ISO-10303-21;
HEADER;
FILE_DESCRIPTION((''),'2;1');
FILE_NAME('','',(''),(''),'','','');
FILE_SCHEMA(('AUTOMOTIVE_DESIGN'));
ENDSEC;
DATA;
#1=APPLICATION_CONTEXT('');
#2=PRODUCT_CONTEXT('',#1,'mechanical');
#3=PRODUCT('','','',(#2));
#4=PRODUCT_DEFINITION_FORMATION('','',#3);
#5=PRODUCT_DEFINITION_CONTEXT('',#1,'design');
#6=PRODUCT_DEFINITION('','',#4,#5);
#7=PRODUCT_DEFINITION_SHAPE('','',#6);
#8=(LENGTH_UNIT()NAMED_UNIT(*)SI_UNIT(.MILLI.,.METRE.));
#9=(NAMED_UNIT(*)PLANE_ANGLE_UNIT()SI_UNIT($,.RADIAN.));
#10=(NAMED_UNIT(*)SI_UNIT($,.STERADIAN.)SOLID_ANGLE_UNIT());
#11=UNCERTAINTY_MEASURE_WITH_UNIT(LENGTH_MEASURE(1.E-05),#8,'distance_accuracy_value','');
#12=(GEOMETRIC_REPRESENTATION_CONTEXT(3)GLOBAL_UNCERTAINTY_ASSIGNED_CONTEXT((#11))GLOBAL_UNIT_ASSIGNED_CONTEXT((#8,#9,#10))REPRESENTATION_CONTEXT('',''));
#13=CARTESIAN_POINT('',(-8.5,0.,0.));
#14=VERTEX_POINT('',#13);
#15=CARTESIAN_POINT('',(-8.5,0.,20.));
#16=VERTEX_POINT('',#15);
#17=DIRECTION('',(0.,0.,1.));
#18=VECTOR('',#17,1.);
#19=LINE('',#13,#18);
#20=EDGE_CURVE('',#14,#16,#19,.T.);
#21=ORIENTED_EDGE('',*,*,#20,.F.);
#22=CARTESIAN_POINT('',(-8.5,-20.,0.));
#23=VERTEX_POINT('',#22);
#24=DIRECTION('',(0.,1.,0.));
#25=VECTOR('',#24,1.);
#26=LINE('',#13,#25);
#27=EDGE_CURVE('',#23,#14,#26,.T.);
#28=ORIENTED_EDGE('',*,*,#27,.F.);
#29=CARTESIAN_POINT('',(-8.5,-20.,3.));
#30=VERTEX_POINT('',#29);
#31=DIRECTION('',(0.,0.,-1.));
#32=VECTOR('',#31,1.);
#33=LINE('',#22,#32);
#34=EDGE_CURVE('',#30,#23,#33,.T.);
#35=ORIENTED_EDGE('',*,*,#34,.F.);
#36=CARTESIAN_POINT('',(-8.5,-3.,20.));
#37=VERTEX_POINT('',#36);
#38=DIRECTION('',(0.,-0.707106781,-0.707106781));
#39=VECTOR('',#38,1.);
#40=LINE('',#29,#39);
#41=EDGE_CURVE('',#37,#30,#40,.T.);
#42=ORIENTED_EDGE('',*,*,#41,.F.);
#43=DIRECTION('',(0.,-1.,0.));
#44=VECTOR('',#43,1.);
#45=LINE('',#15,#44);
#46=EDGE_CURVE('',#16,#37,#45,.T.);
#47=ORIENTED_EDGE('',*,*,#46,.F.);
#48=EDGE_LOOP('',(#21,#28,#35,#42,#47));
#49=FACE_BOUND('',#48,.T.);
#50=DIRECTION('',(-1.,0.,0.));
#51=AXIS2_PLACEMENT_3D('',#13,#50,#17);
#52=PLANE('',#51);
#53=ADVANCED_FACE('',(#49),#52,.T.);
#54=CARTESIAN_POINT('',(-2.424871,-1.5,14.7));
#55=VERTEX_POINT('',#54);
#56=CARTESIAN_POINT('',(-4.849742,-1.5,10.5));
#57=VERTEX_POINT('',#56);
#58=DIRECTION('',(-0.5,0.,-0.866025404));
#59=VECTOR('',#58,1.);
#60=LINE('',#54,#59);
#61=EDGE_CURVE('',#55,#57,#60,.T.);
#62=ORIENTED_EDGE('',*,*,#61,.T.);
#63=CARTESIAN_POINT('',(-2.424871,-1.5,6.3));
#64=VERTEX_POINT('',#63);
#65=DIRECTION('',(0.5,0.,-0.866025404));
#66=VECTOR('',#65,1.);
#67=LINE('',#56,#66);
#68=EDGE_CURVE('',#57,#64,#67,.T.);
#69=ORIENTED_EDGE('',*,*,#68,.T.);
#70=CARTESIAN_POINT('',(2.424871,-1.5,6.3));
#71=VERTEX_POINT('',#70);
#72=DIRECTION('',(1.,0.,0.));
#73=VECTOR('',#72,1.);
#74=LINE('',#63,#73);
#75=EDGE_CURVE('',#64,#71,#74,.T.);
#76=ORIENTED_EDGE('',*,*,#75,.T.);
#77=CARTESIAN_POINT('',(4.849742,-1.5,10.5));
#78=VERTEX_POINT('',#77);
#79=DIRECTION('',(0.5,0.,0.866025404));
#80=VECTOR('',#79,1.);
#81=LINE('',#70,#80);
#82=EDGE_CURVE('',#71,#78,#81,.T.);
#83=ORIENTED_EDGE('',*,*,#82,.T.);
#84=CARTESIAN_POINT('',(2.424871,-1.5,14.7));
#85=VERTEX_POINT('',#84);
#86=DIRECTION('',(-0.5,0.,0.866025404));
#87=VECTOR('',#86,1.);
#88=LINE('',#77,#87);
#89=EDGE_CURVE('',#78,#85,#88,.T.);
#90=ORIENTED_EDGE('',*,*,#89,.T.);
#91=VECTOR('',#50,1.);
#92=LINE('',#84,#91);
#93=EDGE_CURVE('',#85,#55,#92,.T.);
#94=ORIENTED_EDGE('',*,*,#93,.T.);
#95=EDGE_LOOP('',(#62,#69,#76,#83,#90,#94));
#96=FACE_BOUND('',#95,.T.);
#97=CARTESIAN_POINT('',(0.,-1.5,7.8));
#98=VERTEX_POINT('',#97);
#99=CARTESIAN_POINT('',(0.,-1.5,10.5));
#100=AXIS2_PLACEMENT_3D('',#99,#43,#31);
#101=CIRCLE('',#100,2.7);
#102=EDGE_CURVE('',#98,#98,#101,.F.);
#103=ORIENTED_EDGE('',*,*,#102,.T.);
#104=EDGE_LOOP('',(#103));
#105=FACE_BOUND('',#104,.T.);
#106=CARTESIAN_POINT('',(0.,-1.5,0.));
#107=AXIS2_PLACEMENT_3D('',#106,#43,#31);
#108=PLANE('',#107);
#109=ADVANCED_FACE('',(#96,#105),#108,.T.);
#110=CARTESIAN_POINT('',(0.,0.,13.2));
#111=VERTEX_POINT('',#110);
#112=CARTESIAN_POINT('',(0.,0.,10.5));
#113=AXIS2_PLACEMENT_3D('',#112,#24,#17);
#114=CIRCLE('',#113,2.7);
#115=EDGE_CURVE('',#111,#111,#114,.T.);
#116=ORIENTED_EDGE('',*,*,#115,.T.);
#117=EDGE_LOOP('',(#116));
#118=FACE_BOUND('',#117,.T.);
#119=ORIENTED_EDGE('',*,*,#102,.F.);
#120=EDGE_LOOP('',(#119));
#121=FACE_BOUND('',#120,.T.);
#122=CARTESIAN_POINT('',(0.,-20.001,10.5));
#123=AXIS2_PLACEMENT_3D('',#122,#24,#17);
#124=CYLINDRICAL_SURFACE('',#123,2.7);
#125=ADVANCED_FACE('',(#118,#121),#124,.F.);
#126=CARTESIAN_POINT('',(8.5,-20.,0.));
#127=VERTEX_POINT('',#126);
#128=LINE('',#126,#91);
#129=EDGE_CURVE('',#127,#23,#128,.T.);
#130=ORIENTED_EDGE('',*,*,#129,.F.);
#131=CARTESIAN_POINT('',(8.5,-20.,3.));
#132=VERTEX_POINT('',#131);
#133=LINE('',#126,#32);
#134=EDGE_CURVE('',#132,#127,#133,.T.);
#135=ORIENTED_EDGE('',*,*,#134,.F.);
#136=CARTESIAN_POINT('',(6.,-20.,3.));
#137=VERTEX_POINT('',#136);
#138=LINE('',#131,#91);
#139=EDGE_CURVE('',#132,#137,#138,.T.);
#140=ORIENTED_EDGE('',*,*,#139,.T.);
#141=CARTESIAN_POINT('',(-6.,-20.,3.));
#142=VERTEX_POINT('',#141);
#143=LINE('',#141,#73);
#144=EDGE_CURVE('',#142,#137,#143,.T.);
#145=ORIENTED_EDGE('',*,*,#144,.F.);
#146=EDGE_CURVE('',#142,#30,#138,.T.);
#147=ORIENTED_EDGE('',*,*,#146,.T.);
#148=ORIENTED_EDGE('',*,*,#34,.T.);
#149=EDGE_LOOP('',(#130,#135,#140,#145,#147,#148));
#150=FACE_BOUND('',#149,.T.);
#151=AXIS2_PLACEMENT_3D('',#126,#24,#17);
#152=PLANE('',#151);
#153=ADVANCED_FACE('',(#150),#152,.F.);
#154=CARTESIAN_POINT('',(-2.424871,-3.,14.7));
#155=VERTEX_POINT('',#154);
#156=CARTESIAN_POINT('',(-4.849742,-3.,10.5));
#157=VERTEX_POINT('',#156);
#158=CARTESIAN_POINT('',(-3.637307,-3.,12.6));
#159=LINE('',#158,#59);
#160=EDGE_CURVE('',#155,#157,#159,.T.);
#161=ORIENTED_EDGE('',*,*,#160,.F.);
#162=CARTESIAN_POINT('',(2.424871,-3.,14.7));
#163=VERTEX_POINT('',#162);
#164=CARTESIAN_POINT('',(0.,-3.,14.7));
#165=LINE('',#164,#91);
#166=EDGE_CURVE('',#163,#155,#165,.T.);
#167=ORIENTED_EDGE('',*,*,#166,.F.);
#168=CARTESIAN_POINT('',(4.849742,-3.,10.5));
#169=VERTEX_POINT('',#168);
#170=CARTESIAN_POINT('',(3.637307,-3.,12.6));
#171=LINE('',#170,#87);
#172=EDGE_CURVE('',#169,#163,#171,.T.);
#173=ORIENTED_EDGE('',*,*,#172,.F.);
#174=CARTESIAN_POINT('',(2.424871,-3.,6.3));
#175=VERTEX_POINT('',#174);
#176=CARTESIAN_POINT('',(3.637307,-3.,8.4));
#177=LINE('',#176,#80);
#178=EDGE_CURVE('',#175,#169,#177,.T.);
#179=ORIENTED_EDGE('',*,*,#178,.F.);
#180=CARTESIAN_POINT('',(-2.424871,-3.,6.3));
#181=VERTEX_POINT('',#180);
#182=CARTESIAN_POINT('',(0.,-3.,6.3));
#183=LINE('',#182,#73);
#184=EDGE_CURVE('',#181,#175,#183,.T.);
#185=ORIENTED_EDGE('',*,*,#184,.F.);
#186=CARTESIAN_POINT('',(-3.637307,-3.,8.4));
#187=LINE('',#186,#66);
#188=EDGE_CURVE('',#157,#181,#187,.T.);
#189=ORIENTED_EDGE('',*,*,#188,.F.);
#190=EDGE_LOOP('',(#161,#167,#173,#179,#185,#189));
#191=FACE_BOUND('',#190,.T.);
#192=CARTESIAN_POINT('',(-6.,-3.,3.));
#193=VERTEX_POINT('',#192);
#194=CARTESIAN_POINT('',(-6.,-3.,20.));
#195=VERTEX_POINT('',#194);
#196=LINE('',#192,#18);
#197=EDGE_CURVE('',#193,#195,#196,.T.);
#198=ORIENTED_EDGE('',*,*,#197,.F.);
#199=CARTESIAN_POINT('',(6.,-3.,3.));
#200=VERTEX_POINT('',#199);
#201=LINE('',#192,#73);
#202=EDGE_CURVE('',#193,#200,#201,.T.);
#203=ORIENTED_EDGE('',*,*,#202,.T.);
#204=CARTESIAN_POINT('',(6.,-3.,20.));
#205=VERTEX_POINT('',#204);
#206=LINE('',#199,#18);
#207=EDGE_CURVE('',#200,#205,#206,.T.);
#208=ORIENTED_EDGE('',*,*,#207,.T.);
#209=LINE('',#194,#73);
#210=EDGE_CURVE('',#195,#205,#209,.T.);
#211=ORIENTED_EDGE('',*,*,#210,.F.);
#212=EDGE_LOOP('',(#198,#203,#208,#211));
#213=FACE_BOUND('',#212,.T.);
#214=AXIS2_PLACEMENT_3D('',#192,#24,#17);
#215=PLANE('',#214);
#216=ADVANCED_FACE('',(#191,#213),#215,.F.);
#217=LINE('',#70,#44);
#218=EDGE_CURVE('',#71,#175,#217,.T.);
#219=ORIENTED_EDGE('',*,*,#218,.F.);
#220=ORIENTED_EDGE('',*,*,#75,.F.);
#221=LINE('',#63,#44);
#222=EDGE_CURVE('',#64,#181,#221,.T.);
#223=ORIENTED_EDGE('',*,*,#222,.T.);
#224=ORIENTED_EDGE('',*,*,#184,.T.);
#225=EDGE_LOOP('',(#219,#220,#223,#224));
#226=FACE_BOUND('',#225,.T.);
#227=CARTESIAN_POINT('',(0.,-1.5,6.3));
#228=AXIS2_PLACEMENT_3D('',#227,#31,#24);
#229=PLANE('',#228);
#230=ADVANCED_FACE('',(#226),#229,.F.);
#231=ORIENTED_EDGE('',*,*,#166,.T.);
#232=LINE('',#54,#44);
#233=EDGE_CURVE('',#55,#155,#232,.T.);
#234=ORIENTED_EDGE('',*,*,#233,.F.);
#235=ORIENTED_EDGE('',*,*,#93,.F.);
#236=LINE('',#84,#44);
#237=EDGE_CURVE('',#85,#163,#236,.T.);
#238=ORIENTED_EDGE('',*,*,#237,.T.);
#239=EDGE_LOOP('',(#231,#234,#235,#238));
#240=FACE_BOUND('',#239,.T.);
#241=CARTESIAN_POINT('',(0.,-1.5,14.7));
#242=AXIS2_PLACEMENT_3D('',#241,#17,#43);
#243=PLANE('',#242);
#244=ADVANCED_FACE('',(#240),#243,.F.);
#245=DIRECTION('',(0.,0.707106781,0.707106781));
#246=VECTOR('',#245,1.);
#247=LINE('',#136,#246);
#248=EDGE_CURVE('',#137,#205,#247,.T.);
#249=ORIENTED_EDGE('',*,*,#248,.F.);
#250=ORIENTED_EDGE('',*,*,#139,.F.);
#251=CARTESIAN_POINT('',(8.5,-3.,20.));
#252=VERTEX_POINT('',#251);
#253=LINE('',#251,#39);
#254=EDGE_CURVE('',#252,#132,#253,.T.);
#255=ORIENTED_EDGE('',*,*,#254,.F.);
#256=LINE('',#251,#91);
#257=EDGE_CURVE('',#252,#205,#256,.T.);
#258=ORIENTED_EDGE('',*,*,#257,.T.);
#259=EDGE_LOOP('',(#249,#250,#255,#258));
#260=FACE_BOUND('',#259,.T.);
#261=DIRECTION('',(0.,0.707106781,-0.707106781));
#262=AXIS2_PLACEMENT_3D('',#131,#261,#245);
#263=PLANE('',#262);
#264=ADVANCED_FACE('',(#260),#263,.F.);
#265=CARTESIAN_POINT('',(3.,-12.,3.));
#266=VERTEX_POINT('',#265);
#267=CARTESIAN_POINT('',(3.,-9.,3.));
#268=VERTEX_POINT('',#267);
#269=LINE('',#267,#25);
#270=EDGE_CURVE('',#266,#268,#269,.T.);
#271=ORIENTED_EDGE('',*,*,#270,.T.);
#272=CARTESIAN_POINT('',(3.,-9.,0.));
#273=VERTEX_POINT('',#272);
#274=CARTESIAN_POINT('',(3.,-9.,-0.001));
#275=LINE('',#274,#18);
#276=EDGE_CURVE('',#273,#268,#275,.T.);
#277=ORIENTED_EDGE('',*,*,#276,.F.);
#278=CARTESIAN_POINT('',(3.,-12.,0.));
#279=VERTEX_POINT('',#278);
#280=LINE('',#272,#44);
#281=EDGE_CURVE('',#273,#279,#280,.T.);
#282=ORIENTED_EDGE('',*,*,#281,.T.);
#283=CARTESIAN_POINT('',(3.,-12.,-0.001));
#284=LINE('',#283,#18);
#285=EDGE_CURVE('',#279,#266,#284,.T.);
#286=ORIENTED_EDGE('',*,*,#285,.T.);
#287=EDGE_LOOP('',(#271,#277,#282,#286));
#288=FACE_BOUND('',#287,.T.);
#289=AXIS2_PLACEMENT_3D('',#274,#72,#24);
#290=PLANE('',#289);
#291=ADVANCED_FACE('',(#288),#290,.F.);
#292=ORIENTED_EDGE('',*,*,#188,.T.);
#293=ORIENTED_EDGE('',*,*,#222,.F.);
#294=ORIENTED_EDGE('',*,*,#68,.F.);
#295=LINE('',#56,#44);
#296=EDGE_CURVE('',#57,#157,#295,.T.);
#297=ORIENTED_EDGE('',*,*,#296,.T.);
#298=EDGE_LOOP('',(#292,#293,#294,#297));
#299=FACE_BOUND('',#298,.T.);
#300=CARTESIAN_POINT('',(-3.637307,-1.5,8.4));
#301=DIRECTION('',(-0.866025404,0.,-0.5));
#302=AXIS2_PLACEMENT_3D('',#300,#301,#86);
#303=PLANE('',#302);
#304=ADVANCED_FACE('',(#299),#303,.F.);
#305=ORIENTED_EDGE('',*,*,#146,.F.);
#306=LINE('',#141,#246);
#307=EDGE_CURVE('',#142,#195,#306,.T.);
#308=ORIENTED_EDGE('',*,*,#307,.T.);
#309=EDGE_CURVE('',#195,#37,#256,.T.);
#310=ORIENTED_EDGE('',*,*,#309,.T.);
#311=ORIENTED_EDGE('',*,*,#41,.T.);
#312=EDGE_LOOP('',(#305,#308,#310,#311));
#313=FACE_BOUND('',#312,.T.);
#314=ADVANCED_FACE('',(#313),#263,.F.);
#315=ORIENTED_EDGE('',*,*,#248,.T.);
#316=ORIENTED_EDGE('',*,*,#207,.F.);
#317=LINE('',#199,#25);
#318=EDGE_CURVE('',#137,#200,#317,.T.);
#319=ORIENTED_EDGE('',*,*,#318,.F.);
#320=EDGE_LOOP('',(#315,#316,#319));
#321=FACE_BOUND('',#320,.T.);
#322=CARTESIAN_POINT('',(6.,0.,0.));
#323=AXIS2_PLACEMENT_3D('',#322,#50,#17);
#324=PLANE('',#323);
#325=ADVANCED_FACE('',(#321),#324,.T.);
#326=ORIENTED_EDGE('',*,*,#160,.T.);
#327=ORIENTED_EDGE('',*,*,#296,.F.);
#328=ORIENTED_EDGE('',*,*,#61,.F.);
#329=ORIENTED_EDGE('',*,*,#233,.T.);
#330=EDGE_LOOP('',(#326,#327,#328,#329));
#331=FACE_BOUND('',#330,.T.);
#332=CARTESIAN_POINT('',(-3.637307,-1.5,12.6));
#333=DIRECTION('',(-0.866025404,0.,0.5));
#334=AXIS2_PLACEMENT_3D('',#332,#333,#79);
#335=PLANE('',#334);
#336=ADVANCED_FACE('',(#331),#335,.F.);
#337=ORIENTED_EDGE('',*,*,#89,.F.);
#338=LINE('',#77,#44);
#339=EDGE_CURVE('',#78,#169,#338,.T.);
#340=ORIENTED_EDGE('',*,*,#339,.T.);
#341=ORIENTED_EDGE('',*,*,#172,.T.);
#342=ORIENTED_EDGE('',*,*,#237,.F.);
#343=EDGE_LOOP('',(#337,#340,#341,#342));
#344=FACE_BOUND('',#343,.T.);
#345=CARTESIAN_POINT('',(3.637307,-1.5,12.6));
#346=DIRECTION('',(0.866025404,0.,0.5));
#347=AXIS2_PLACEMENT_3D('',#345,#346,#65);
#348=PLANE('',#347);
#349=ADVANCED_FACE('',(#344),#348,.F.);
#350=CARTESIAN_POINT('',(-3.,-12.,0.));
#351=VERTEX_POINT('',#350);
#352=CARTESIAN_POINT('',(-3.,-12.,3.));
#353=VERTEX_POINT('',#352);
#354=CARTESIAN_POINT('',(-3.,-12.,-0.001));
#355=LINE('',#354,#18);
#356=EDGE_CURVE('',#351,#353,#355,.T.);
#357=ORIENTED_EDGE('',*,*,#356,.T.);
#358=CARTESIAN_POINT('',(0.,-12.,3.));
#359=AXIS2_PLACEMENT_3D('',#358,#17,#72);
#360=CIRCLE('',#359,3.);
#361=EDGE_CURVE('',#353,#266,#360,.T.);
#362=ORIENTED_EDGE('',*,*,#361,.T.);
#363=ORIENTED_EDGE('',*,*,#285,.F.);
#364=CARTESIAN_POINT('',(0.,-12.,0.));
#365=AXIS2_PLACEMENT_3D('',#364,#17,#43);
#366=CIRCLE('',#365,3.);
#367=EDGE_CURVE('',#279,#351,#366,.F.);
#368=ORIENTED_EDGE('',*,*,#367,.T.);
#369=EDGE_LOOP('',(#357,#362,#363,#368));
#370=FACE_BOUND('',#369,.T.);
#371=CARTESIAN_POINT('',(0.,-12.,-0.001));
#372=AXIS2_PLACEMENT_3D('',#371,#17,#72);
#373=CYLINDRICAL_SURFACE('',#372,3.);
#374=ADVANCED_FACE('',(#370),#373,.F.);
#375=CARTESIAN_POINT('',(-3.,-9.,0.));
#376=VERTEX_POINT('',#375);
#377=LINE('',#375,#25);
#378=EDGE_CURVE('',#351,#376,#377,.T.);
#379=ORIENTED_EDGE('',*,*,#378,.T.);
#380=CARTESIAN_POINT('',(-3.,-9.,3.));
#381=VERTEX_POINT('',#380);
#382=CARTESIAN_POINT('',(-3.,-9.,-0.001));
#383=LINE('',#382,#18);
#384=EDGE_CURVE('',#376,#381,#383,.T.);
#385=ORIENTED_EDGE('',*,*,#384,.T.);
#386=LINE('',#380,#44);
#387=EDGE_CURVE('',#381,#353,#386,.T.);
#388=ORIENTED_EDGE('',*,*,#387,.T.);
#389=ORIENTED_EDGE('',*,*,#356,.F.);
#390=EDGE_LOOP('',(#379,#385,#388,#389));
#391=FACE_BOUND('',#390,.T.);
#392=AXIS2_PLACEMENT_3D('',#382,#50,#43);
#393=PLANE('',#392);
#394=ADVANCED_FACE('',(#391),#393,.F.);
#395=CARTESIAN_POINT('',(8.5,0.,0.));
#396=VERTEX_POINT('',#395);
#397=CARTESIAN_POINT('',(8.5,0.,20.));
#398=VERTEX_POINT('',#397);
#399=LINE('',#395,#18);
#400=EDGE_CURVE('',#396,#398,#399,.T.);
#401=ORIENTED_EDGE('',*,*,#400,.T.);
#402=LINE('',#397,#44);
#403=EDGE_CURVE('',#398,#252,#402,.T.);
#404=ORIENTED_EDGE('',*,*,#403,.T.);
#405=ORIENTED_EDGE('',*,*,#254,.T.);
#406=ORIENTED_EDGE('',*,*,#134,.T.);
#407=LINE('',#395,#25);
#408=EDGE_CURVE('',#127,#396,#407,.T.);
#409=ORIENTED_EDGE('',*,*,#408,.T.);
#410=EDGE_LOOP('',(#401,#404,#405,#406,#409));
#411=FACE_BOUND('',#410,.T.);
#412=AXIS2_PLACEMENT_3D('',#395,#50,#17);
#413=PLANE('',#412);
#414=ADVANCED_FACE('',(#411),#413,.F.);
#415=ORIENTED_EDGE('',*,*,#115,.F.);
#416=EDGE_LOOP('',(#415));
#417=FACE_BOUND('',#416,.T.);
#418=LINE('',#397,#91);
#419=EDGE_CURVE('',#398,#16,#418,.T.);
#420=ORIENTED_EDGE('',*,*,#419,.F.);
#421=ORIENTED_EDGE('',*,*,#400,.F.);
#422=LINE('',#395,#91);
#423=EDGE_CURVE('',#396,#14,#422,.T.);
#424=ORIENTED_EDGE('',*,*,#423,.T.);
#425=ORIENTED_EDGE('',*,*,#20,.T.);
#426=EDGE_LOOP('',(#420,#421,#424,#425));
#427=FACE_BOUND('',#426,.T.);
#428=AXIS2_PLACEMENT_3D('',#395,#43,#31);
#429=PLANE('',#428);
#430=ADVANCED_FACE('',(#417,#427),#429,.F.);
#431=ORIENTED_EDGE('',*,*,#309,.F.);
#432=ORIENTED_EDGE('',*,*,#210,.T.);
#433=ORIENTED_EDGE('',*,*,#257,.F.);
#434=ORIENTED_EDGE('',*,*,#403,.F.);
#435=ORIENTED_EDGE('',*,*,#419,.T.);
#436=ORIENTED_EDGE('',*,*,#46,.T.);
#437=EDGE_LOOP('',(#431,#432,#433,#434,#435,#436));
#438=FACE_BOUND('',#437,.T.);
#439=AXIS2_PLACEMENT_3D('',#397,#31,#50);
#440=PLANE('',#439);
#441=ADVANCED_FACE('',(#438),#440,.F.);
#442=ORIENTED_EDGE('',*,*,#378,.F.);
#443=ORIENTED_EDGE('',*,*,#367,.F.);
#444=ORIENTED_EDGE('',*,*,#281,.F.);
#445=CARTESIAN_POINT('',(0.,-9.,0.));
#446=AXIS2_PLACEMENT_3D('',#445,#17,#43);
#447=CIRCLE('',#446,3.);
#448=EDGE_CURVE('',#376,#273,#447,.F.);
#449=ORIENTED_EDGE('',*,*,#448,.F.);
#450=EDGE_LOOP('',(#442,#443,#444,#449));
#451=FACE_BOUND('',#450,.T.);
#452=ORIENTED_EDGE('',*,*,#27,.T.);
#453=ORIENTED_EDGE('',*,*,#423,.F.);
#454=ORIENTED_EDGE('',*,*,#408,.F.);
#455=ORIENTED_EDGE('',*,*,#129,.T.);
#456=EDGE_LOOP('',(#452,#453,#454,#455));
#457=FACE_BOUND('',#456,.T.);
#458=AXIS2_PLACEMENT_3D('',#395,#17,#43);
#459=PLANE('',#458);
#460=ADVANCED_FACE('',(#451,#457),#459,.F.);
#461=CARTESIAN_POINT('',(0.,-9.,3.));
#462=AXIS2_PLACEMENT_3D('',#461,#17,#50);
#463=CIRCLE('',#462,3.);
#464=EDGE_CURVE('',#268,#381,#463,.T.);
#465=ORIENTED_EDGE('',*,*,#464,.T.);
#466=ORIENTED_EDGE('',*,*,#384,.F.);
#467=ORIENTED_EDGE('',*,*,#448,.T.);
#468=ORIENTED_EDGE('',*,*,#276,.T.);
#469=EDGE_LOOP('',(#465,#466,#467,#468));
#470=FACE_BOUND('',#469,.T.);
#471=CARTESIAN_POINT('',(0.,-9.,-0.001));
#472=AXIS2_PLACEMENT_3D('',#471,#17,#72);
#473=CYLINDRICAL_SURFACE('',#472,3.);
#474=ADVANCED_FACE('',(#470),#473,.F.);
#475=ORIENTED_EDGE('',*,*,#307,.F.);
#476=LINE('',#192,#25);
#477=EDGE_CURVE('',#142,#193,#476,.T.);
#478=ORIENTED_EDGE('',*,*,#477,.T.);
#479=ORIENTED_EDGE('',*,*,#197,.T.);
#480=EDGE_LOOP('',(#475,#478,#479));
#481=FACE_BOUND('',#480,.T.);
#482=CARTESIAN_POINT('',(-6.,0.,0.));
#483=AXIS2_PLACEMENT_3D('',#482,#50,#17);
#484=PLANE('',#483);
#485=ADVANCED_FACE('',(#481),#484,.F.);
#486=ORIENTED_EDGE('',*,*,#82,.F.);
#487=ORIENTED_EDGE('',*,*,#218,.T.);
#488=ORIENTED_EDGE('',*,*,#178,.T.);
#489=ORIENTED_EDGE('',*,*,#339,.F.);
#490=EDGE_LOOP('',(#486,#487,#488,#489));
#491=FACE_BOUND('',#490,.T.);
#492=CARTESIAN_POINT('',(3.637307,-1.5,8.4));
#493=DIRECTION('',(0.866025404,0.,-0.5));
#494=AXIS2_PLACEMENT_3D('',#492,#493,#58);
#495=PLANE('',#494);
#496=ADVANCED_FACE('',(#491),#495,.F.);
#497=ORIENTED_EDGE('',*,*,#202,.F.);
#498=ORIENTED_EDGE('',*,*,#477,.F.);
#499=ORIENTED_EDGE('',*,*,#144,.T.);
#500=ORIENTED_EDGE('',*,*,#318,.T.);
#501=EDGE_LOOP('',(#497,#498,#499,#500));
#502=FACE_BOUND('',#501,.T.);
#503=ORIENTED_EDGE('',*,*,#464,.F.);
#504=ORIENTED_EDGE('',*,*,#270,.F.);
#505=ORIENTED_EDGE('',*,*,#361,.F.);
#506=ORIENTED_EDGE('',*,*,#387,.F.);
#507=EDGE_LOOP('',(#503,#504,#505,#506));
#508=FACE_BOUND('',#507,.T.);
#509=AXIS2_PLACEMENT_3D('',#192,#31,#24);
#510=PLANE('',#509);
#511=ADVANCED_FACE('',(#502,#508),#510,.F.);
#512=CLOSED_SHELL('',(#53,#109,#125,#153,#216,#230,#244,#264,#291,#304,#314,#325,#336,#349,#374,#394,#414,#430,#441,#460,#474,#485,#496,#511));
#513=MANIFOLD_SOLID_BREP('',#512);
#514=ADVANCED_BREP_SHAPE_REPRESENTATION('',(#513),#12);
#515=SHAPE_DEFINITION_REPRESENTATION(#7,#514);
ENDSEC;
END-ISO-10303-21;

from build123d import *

# Parameters (mm, degrees)
BOSS_EXTRUDE1_DEPTH   = 8.5
SKETCH2_W             = 17
SKETCH2_H             = 17
CUT_EXTRUDE1_DEPTH    = 6
CUT_EXTRUDE2_REACH    = 5
CORTE_EXTRUS_O1_REACH = 22
ESBO_O1_R             = 2.7
CORTE_EXTRUS_O2_DEPTH = 1.5


with BuildPart() as part:
    # Sketch1 → Boss-Extrude1 (new body, symmetric)
    with BuildSketch(Plane(origin=(0, 0, 0), x_dir=(0, 0, -1), z_dir=(1, 0, 0))):
        Polygon((0, 0), (-20, 0), (-20, -3), (-11.5, -11.5), (-3, -20), (0, -20), align=None)
    extrude(amount=BOSS_EXTRUDE1_DEPTH, both=True)

    # Sketch2 → Cut-Extrude1 (cut, symmetric)
    with BuildSketch(Plane(origin=(0, 0, 0), x_dir=(0, 0, -1), z_dir=(1, 0, 0))):
        with Locations((-11.5, -11.5)):
            Rectangle(SKETCH2_W, SKETCH2_H)
    extrude(amount=CUT_EXTRUDE1_DEPTH, both=True, mode=Mode.SUBTRACT)

    # Sketch3 → Cut-Extrude2 (cut, up to next)
    with BuildSketch(Plane.XY.offset(3), mode=Mode.PRIVATE) as cut_extrude2_sk1:
        with BuildLine():
            Line((-3, -9), (-3, -12))
            ThreePointArc((-3, -12), (0, -15), (3, -12))
            Line((3, -12), (3, -9))
            ThreePointArc((3, -9), (0, -6), (-3, -9))
        make_face()
    cut_extrude2_tool1 = extrude(cut_extrude2_sk1.sketch, amount=-CUT_EXTRUDE2_REACH, mode=Mode.PRIVATE) & part.part
    add(cut_extrude2_tool1.solids().sort_by_distance((0, -10.5, 3))[0], mode=Mode.SUBTRACT)

    # Esboço1 → Corte-extrusão1 (cut, up to next)
    with BuildSketch(Plane(origin=(0, 0, 0), x_dir=(1, 0, 0), z_dir=(0, 1, 0)), mode=Mode.PRIVATE) as corte_extrus_o1_sk1:
        with Locations((0, -10.5)):
            Circle(ESBO_O1_R)
    corte_extrus_o1_tool1 = extrude(corte_extrus_o1_sk1.sketch, amount=-CORTE_EXTRUS_O1_REACH, mode=Mode.PRIVATE) & part.part
    add(corte_extrus_o1_tool1.solids().sort_by_distance((0, 0, 10.5))[0], mode=Mode.SUBTRACT)

    # Esboço3 → Corte-extrusão2 (cut)
    with BuildSketch(Plane.XZ.offset(3)):
        Polygon((0, 14.7), (-2.424871131, 14.7), (-3.637306696, 12.6), (-4.849742261, 10.5), (-3.637306696, 8.4), (-2.424871131, 6.3), (0, 6.3), (2.424871131, 6.3), (3.637306696, 8.4), (4.849742261, 10.5), (3.637306696, 12.6), (2.424871131, 14.7), align=None)
    extrude(amount=-CORTE_EXTRUS_O2_DEPTH, mode=Mode.SUBTRACT)


solid = part.part
